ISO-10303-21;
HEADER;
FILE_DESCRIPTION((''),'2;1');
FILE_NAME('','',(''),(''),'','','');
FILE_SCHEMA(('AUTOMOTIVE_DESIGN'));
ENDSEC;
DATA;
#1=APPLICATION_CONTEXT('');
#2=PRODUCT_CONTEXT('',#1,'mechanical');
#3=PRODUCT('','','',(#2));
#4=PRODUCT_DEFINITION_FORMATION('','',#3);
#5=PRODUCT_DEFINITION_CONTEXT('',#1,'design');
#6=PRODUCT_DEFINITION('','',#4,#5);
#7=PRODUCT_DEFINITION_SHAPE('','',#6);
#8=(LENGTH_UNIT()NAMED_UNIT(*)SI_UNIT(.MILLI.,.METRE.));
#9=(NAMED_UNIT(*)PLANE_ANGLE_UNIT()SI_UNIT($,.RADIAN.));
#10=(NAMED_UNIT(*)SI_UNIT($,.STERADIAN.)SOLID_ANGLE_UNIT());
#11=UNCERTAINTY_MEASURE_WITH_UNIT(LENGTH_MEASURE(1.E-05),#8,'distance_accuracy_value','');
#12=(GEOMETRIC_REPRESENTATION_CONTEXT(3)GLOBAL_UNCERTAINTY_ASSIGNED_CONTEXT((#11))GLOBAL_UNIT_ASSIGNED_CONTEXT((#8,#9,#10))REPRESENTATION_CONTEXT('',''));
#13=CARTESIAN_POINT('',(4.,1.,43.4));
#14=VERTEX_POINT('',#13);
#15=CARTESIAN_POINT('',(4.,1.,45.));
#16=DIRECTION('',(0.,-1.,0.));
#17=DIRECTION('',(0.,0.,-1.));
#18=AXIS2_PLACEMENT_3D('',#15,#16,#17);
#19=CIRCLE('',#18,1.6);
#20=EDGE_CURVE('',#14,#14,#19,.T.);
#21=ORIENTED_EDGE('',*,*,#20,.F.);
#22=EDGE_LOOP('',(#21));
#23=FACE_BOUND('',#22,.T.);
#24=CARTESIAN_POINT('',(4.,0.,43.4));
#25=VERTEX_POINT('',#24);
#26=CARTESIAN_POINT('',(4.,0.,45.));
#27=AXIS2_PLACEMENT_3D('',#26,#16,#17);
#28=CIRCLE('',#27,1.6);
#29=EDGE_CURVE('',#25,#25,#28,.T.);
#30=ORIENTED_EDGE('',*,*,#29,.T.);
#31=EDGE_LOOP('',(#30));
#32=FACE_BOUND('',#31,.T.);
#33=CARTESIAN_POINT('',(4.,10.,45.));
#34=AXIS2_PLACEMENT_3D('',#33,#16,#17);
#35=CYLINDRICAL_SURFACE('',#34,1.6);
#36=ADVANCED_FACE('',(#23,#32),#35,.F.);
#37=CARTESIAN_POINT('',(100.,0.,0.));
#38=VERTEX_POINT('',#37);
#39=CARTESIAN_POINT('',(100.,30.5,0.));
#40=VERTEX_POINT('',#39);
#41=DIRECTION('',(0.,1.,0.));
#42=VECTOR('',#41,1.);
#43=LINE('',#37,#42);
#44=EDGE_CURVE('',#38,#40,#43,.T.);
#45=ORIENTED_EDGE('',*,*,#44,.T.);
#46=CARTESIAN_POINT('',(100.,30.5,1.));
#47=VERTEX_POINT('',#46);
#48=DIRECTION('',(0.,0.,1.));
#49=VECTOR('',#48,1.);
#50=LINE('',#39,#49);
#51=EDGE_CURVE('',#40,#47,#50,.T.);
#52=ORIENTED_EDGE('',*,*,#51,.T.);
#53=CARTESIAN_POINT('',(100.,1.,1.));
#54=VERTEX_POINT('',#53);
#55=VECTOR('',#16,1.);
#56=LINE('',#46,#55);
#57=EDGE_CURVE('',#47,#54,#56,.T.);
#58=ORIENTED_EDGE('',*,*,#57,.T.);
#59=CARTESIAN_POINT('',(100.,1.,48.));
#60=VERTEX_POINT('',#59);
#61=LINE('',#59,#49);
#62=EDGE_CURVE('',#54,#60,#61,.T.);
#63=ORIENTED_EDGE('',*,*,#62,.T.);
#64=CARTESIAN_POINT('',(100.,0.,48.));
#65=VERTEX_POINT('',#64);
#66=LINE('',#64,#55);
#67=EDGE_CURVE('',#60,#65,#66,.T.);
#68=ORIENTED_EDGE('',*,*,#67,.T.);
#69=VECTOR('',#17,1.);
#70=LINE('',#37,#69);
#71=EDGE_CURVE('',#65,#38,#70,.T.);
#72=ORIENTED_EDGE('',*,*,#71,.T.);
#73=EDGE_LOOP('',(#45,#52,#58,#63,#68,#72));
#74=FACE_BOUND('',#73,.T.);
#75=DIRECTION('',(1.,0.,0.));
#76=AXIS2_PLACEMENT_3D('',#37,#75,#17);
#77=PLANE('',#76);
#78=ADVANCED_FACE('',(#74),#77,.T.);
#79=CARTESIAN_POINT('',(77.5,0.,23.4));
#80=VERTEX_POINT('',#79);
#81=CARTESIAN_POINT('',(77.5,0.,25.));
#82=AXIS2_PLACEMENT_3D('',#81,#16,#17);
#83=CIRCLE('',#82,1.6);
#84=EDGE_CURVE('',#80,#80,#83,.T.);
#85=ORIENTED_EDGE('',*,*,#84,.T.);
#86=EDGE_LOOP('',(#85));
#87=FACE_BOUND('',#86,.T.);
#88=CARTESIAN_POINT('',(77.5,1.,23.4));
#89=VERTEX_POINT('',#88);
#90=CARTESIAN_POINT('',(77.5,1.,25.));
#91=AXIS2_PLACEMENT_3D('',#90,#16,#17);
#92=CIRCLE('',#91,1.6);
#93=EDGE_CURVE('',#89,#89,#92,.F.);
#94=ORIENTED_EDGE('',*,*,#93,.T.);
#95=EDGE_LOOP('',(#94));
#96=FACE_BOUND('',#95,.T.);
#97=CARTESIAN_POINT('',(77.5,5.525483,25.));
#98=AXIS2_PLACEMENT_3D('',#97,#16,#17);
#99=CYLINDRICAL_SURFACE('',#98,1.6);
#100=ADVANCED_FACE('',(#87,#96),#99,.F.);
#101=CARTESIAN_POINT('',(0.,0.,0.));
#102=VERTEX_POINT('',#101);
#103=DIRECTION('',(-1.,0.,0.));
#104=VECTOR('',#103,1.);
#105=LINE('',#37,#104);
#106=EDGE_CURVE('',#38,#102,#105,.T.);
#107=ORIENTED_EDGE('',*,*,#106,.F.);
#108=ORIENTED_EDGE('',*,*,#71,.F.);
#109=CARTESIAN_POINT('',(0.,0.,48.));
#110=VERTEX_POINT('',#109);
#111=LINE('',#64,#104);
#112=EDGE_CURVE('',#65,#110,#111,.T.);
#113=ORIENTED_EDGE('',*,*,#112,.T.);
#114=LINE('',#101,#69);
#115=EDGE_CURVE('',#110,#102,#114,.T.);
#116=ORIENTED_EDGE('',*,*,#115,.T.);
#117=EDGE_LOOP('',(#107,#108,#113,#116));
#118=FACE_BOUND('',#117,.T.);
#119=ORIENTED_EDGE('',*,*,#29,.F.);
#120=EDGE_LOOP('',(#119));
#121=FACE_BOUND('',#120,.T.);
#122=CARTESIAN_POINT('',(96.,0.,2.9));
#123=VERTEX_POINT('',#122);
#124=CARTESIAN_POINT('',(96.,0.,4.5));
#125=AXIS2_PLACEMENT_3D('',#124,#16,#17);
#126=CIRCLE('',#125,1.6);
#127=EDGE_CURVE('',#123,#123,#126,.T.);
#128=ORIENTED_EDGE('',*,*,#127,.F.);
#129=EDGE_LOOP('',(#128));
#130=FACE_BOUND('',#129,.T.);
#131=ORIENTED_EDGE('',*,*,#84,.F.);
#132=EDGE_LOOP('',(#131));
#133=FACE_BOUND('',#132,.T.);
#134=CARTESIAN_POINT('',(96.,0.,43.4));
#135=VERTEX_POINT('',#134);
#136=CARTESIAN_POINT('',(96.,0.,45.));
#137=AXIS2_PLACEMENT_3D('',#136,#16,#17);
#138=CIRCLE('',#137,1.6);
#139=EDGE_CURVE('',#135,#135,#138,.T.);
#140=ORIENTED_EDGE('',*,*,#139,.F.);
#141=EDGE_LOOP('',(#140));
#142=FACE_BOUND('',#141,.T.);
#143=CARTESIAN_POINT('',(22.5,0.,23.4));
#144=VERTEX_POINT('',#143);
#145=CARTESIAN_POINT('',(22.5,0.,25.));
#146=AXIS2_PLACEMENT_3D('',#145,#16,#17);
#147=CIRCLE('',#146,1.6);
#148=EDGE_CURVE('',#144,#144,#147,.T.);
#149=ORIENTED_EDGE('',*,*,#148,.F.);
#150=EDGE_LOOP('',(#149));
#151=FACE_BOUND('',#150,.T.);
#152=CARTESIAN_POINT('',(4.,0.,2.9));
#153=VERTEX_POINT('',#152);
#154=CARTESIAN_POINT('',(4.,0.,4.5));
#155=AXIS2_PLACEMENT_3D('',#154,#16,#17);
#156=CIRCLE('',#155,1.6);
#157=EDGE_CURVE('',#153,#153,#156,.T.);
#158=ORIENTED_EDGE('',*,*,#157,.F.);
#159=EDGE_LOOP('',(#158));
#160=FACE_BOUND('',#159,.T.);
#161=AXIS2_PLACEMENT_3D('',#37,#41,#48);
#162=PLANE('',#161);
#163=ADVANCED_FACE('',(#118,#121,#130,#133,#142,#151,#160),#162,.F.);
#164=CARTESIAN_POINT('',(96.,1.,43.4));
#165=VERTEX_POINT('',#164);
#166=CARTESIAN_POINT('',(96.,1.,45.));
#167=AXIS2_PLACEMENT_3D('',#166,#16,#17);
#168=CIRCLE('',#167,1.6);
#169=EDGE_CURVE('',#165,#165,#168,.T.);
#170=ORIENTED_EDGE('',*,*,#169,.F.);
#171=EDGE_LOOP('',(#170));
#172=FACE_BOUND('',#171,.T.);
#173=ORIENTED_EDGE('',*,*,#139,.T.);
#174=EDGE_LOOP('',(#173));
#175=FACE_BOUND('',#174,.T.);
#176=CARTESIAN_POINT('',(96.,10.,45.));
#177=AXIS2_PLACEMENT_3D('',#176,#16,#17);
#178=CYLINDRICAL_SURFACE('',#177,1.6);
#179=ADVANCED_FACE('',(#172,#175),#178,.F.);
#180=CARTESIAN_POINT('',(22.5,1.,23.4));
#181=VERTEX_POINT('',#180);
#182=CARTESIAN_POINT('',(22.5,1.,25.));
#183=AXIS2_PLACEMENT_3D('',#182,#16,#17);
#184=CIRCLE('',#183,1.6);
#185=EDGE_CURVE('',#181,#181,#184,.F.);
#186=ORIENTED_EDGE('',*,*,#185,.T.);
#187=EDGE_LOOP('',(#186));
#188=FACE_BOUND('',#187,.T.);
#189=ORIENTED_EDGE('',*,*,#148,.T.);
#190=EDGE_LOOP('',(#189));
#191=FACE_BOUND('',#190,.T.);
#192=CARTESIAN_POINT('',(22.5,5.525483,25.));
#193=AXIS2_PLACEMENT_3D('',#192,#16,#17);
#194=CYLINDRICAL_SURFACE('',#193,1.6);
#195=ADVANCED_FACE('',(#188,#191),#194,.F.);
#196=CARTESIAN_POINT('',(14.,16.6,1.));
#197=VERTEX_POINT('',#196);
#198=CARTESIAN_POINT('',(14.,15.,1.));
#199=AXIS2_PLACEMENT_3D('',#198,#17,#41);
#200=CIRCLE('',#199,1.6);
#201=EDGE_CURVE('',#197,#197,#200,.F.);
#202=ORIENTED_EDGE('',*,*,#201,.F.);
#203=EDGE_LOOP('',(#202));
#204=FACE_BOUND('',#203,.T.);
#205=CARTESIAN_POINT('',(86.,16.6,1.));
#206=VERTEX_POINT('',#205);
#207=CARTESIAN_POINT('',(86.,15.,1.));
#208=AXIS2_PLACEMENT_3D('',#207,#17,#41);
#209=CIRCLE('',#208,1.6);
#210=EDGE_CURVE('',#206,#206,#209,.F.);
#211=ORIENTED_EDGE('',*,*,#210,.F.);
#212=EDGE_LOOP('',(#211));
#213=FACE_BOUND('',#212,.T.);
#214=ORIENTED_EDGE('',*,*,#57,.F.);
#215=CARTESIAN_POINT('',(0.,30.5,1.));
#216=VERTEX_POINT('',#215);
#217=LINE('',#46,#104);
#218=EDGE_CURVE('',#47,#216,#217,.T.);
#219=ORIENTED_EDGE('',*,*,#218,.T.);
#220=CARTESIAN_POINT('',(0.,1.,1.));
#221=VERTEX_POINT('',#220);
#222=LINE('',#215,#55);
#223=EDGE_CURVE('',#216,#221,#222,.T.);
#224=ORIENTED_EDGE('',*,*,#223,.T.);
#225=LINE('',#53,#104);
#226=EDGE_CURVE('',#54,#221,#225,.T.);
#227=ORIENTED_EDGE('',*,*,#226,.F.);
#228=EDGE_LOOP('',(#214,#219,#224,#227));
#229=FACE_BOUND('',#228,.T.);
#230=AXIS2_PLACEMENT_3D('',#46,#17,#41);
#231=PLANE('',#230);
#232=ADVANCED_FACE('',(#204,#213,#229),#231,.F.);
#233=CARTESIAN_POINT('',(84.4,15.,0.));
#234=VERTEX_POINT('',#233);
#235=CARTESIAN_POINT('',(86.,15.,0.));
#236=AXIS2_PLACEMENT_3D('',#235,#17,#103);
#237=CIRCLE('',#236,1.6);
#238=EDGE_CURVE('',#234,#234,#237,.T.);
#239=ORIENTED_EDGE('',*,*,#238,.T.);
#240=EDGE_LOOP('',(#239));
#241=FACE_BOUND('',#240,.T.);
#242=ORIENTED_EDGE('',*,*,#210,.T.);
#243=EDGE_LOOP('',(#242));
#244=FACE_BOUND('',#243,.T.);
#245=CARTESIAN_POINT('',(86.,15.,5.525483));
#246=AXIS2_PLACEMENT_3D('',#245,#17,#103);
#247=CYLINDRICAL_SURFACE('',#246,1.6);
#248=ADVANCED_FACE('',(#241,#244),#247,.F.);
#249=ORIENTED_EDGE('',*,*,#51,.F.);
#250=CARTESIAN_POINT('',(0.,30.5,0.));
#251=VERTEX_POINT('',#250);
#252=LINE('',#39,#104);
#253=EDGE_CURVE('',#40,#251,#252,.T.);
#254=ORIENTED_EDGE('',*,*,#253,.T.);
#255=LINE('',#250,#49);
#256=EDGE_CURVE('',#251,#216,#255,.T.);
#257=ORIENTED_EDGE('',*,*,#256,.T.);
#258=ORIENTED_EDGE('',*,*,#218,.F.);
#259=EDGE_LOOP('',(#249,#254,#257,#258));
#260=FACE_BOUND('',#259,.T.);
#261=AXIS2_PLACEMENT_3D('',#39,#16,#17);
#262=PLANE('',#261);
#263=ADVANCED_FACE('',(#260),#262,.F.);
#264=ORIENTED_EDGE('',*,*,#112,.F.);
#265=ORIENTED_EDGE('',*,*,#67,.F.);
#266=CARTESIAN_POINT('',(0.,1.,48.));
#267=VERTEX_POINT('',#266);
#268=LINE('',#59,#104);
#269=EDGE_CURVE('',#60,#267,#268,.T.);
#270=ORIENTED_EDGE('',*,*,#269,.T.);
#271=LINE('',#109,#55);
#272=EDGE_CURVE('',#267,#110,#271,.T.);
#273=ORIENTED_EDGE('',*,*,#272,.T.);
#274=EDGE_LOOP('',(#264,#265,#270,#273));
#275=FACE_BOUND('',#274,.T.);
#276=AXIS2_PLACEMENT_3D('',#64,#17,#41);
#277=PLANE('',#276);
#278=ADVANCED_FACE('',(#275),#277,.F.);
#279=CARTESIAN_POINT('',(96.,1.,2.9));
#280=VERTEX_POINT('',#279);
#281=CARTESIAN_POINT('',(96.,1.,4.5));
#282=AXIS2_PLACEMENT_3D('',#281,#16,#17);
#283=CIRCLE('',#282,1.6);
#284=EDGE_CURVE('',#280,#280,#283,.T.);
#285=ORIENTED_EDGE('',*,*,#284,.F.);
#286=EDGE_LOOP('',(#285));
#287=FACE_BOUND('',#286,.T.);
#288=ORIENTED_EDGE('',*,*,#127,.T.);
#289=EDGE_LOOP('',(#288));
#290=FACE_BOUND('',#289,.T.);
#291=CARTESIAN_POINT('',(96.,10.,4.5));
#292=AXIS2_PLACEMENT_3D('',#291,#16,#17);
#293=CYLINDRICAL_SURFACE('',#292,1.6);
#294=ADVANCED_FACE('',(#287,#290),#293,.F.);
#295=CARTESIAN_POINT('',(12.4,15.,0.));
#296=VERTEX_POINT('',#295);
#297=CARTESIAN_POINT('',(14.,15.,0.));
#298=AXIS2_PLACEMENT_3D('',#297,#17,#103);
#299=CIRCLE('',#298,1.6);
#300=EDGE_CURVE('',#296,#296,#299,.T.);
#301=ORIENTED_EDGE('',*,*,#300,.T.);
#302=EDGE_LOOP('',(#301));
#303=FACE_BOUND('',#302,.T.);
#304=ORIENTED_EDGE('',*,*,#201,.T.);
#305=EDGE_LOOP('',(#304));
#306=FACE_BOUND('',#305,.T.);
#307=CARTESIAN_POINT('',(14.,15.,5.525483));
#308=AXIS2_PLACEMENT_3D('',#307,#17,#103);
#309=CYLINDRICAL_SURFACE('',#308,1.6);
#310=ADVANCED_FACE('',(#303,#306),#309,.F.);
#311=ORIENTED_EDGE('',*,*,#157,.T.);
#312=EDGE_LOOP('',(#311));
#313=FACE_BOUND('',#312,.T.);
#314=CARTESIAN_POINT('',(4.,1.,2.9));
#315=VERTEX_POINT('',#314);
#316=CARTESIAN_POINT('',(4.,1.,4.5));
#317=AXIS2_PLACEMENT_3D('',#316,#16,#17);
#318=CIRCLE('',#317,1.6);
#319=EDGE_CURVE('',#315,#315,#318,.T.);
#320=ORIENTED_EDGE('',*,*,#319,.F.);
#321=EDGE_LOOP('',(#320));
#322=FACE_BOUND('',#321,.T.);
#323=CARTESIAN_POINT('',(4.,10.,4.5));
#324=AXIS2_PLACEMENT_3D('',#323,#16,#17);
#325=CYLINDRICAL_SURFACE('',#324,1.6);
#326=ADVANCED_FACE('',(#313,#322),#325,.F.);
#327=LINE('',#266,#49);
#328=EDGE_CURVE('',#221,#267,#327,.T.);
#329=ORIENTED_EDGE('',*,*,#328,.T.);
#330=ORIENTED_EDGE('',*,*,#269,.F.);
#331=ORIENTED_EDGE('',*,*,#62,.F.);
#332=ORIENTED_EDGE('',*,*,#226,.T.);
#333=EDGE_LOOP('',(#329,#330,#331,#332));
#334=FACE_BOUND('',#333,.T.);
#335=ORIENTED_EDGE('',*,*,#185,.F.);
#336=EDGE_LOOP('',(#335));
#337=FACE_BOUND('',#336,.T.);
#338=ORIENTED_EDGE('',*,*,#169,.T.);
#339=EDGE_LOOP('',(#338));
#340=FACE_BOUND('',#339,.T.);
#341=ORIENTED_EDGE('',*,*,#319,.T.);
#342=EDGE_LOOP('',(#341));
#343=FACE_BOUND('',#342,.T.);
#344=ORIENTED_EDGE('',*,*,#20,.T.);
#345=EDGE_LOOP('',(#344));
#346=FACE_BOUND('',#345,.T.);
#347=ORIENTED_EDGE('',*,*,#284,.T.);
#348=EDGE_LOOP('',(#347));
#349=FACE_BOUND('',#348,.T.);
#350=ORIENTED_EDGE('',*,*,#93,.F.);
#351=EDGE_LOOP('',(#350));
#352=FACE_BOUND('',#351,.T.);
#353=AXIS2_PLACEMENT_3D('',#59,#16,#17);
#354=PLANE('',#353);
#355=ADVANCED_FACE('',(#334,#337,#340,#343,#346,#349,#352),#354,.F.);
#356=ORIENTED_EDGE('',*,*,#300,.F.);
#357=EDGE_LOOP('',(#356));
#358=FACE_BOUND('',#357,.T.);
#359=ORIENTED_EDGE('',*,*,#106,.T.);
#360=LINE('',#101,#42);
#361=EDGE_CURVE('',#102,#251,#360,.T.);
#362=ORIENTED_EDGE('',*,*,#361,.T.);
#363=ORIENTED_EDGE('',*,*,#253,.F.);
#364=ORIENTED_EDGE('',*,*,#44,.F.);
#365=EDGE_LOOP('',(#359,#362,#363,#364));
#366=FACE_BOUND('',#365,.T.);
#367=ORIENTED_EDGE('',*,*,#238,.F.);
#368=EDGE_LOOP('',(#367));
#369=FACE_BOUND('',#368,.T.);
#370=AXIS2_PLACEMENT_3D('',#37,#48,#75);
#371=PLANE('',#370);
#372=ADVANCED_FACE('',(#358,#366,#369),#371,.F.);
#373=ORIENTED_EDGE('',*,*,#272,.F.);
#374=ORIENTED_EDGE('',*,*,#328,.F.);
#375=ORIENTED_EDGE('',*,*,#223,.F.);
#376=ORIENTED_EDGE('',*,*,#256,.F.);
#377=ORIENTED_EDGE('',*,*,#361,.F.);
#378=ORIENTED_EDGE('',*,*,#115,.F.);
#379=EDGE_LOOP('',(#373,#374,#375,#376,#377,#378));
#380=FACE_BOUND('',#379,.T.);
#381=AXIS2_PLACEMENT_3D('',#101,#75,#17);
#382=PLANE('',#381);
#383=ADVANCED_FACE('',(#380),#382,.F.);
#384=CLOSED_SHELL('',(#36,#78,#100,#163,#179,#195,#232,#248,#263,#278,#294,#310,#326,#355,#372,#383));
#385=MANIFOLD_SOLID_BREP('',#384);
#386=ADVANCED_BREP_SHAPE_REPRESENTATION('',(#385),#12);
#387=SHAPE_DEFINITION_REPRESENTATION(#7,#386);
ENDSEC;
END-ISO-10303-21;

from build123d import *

# Parameters (mm, degrees)
EXTRUDE_1_DEPTH     = 100
SKETCH_2_R          = 1.6
CUT_EXTRUDE_1_DEPTH = 1
SKETCH_3_R          = 1.6
CUT_EXTRUDE_2_DEPTH = 1
SKETCH1_R           = 1.6
CUT_EXTRUDE1_DEPTH  = 10


with BuildPart() as part:
    # Эскиз1 → Бобышка-Вытянуть1 (new body)
    with BuildSketch(Plane(origin=(0, 0, 0), x_dir=(0, 0, -1), z_dir=(1, 0, 0))):
        Polygon((0, 0), (-48, 0), (-48, 1), (-1, 1), (-1, 30.5), (0, 30.5), align=None)
    extrude(amount=EXTRUDE_1_DEPTH)

    # Эскиз2 → Вырез-Вытянуть1 (cut)
    with BuildSketch(Plane(origin=(0, 0, 0), x_dir=(-1, 0, 0), z_dir=(0, 0, -1))):
        with Locations((-86, 15)):
            Circle(SKETCH_2_R)
        with Locations((-14, 15)):
            Circle(SKETCH_2_R)
    extrude(amount=-CUT_EXTRUDE_1_DEPTH, mode=Mode.SUBTRACT)

    # Эскиз3 → Вырез-Вытянуть2 (cut)
    with BuildSketch(Plane.XZ):
        with Locations(Location((22.5, 25, 0), (0, 0, 270))):
            Circle(SKETCH_3_R)
        with Locations(Location((77.5, 25, 0), (0, 0, 270))):
            Circle(SKETCH_3_R)
    extrude(amount=-CUT_EXTRUDE_2_DEPTH, mode=Mode.SUBTRACT)

    # Sketch1 → Cut-Extrude1 (cut)
    with BuildSketch(Plane.XZ):
        with Locations(Location((4, 45, 0), (0, 0, 270))):
            Circle(SKETCH1_R)
        with Locations(Location((96, 45, 0), (0, 0, 270))):
            Circle(SKETCH1_R)
        with Locations(Location((96, 4.5, 0), (0, 0, 270))):
            Circle(SKETCH1_R)
        with Locations(Location((4, 4.5, 0), (0, 0, 270))):
            Circle(SKETCH1_R)
    extrude(amount=-CUT_EXTRUDE1_DEPTH, mode=Mode.SUBTRACT)


solid = part.part
